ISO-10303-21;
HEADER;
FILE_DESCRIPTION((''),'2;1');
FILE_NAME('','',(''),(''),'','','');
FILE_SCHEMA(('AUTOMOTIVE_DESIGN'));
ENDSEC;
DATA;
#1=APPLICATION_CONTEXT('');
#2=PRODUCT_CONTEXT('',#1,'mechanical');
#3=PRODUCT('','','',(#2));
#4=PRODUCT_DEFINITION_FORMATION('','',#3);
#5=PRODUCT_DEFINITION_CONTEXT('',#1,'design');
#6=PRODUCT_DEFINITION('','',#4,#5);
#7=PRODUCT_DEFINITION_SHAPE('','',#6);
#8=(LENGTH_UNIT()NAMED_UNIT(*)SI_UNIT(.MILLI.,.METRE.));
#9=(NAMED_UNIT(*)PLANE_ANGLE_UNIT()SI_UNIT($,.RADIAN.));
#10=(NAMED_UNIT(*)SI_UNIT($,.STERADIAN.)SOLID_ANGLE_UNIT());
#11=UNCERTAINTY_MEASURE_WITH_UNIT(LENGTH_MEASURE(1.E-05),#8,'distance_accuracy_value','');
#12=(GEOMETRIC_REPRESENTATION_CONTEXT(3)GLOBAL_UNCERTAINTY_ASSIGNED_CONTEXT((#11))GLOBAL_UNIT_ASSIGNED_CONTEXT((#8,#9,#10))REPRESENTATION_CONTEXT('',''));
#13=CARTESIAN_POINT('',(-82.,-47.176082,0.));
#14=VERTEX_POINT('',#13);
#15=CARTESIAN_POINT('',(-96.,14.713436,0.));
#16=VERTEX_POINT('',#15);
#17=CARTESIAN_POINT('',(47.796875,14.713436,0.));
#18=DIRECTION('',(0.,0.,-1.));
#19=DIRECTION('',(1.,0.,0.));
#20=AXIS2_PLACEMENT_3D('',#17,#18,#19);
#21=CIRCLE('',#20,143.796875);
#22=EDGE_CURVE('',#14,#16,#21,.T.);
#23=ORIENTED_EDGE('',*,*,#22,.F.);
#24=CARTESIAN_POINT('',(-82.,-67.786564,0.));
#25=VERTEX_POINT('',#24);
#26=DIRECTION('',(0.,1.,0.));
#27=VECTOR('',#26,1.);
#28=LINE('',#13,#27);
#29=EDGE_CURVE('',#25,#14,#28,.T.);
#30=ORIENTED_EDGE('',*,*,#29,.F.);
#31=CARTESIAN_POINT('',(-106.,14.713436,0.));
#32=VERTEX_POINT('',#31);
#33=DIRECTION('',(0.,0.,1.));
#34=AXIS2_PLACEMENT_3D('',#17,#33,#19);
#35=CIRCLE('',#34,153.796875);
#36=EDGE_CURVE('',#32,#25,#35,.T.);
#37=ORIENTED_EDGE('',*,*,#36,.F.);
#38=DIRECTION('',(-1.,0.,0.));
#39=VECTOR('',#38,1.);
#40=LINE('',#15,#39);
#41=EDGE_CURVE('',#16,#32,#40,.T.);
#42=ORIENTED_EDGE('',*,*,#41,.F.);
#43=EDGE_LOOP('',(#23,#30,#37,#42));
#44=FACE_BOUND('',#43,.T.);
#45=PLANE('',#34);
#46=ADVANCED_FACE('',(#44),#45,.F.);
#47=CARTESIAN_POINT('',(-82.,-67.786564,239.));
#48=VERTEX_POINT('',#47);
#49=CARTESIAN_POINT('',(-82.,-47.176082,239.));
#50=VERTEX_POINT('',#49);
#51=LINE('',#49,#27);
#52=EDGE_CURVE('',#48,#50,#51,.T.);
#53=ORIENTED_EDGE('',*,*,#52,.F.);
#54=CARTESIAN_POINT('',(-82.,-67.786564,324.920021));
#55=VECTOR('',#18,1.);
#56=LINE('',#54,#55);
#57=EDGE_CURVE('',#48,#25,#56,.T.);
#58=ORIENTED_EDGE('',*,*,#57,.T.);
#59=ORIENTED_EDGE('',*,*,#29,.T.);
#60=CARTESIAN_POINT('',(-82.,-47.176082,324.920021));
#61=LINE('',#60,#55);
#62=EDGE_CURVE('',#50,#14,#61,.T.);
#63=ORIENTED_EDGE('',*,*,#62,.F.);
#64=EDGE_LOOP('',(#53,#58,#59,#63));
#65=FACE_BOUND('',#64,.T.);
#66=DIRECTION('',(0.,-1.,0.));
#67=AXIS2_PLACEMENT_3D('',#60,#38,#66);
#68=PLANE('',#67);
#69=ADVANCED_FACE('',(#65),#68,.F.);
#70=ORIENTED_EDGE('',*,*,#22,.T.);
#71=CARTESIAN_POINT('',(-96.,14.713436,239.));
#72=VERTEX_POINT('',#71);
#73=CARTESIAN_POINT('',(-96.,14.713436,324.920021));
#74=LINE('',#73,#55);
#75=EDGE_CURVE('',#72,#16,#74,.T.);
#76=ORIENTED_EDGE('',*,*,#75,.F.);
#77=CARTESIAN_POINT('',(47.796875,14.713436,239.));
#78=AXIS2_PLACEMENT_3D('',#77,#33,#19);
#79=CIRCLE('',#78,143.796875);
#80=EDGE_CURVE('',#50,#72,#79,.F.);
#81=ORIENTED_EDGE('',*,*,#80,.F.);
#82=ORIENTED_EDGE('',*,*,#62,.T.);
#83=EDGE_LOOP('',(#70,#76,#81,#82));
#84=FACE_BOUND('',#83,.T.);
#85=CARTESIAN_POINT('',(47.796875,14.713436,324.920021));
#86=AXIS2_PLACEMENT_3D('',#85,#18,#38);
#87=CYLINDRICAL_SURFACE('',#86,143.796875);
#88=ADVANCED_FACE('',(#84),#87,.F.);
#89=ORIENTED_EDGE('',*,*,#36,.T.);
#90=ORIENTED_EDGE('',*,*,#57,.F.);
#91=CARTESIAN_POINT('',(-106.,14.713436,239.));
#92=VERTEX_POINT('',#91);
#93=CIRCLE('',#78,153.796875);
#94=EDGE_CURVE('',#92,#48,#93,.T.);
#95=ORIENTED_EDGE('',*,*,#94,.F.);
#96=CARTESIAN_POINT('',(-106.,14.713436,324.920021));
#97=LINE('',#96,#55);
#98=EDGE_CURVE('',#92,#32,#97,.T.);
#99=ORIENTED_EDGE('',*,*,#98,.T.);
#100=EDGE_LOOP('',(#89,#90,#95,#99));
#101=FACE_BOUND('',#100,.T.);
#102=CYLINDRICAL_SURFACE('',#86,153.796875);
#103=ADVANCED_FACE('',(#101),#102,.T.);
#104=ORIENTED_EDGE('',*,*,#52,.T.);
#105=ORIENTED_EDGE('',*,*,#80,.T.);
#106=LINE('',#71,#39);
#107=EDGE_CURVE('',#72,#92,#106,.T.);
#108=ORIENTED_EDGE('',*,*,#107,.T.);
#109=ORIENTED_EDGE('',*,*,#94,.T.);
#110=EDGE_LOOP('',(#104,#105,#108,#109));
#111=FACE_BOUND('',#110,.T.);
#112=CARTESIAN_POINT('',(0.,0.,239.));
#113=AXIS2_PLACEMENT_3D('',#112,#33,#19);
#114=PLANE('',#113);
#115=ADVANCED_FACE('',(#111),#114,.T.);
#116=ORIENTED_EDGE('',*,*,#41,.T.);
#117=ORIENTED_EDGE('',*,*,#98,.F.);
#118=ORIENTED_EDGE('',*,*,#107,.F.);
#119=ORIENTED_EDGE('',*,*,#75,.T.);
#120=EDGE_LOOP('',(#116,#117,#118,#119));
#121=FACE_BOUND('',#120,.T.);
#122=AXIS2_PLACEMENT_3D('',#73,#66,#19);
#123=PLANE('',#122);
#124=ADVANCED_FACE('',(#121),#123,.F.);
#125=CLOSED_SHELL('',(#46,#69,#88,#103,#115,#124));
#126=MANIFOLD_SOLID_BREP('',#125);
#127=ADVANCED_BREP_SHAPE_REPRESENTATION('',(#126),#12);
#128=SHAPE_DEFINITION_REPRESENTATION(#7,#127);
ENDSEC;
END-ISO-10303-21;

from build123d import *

# Parameters (mm, degrees)
BOSS_EXTRUDE1_DEPTH = 239


with BuildPart() as part:
    # Sketch1 → Boss-Extrude1 (new body)
    with BuildSketch(Plane.XY):
        with BuildLine():
            Line((-82, -47.176082117), (-82, -67.786563618))
            ThreePointArc((-82, -67.786563618), (-99.878161008, -28.246574093), (-106, 14.713436382))
            Line((-106, 14.713436382), (-96, 14.713436382))
            ThreePointArc((-96, 14.713436382), (-92.456335782, -17.013179022), (-82, -47.176082117))
        make_face()
    extrude(amount=BOSS_EXTRUDE1_DEPTH)


solid = part.part
